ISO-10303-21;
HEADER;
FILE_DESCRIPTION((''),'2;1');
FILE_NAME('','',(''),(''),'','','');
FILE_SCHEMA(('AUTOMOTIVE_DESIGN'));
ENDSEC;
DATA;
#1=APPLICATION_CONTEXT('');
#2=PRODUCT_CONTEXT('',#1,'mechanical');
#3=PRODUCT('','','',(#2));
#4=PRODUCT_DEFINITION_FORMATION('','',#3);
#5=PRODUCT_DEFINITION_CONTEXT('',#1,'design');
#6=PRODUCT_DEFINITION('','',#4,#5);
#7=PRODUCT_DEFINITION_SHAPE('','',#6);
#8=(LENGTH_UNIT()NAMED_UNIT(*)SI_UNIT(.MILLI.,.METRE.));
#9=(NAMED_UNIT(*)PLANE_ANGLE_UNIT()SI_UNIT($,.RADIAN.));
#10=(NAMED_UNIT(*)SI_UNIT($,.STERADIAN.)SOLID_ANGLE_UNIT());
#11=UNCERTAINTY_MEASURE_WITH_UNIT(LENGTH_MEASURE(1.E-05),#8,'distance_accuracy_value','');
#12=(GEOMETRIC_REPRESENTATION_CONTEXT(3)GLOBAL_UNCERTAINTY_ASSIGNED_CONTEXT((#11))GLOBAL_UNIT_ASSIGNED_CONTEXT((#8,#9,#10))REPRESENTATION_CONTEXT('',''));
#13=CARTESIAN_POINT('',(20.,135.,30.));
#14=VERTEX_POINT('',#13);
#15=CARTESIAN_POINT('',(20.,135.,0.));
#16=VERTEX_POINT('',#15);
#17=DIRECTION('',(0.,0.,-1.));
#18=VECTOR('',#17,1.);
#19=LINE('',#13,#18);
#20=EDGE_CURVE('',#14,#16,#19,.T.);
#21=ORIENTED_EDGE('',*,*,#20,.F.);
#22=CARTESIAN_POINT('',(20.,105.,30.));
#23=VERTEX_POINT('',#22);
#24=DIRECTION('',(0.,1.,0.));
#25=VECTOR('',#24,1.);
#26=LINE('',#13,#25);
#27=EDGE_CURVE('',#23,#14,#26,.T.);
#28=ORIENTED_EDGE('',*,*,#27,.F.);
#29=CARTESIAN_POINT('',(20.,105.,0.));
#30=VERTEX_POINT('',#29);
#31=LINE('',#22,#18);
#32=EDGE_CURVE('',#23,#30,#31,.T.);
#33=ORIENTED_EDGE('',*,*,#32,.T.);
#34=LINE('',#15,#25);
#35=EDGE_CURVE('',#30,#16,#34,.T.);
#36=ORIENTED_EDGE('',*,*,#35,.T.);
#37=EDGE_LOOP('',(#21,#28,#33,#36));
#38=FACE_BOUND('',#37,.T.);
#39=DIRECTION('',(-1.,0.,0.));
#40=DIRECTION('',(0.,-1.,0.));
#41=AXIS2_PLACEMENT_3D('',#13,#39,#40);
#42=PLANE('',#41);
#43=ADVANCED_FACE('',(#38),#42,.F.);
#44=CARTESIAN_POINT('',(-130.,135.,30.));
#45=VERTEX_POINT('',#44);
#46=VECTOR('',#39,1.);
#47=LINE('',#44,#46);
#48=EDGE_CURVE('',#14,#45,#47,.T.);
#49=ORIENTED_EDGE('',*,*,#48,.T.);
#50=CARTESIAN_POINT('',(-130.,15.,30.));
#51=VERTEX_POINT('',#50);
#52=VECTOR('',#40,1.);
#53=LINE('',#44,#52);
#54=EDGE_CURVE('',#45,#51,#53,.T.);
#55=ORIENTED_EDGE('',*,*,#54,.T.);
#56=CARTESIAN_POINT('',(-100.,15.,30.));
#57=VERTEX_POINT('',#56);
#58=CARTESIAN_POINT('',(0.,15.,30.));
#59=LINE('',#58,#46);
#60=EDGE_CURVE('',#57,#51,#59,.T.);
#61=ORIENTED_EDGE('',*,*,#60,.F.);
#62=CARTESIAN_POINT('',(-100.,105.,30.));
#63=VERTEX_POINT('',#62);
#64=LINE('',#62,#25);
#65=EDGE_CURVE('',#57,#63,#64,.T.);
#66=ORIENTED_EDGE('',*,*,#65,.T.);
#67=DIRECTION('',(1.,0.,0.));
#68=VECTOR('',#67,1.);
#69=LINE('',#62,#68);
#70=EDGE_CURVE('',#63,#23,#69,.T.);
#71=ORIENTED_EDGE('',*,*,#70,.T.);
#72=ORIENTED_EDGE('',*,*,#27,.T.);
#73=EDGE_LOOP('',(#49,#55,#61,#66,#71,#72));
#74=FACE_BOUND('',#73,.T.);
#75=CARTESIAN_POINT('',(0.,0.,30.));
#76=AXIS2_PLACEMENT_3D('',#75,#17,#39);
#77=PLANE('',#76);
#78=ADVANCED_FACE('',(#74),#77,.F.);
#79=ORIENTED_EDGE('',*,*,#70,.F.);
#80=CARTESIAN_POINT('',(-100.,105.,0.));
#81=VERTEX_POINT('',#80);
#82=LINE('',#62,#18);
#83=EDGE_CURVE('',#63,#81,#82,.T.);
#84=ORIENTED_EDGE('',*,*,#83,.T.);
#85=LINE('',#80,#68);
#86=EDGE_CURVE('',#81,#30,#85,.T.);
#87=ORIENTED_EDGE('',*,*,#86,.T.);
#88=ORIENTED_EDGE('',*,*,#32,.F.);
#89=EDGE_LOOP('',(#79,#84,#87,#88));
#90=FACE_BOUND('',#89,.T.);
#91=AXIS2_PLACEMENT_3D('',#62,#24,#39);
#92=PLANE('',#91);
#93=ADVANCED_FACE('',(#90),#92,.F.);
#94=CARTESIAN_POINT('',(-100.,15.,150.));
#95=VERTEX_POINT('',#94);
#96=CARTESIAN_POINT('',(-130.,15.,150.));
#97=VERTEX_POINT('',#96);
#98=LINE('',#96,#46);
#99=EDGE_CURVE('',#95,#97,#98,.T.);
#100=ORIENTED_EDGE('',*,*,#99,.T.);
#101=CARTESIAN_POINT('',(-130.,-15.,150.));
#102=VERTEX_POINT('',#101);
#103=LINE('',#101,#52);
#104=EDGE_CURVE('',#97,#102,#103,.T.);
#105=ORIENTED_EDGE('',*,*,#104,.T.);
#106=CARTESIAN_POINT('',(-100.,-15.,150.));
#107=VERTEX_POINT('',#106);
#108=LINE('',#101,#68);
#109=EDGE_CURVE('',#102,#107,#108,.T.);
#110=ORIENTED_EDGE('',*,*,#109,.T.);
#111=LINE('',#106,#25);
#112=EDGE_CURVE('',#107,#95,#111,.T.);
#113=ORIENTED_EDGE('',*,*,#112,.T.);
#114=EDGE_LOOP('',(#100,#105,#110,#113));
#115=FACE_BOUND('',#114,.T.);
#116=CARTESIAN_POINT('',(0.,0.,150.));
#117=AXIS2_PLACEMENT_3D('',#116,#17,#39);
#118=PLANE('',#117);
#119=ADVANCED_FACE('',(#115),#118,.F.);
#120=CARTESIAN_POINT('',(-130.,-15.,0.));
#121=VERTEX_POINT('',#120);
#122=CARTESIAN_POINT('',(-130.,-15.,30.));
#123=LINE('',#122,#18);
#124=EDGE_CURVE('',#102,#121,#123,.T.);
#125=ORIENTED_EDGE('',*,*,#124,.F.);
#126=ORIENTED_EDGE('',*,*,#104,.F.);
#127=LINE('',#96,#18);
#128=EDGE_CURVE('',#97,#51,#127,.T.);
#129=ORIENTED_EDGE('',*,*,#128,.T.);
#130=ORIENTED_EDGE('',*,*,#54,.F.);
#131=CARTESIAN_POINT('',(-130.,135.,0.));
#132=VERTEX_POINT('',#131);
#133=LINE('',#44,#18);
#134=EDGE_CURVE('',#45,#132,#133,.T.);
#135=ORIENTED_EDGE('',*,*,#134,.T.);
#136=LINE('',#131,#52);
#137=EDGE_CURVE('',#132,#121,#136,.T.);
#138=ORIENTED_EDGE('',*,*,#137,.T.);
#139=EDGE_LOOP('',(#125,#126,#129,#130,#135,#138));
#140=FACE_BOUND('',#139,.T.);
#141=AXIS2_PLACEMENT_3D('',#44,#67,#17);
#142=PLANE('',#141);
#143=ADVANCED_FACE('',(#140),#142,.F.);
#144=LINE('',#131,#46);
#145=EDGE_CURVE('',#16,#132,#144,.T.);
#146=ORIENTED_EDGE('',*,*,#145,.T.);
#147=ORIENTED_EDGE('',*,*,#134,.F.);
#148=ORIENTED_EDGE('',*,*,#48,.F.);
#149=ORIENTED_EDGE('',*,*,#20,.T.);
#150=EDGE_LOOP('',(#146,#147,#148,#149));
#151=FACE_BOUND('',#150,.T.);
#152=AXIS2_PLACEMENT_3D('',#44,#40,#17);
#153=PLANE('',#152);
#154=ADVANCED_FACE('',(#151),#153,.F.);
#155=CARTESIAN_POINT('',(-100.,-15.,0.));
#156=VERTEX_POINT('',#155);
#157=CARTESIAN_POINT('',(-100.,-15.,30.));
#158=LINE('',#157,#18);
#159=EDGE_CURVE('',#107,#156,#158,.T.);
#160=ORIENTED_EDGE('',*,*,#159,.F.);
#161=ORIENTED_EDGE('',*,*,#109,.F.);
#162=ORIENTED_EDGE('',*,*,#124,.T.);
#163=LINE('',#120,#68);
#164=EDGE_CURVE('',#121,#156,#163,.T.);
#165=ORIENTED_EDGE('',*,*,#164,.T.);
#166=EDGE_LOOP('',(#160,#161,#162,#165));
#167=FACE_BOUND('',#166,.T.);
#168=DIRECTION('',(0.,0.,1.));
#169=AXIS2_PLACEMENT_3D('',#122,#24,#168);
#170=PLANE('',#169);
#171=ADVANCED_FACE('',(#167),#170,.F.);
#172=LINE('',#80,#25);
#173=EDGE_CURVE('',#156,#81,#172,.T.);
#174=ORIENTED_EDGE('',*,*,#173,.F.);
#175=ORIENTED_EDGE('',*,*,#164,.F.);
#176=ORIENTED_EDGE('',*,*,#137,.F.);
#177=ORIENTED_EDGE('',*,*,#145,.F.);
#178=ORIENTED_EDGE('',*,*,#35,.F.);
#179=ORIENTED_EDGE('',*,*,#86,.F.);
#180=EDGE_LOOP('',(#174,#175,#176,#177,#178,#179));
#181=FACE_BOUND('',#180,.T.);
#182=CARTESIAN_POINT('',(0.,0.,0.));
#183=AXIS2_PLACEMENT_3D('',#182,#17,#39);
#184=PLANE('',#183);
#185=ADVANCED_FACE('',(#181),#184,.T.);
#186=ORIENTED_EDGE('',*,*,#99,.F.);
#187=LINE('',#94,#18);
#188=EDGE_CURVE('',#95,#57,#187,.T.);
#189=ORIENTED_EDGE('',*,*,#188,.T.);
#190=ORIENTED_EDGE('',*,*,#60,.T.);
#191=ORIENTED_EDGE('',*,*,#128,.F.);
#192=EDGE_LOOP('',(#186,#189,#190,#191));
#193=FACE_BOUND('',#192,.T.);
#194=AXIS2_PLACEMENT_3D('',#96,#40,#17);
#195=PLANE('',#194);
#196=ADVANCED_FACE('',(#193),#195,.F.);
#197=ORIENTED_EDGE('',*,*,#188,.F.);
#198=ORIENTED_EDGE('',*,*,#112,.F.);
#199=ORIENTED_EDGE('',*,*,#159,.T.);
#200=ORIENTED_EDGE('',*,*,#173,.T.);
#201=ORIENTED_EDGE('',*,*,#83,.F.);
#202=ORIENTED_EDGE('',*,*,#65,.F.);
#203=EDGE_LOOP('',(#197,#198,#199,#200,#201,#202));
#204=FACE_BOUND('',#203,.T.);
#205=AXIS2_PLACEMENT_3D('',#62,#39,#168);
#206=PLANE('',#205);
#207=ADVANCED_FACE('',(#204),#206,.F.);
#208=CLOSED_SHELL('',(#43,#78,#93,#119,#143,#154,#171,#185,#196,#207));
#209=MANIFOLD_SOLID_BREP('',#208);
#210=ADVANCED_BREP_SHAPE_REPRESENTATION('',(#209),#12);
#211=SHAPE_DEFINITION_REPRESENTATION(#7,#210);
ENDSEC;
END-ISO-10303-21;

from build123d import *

# Parameters (mm, degrees)
SALIENTE_EXTRUIR1_DEPTH = 30
CROQUIS2_W              = 30
CROQUIS2_H              = 30
SALIENTE_EXTRUIR3_DEPTH = 150


with BuildPart() as part:
    # Croquis1 → Saliente-Extruir1 (new body)
    with BuildSketch(Plane.XY):
        Polygon((-130, 135), (-130, -15), (-100, -15), (-100, 105), (20, 105), (20, 135), align=None)
    extrude(amount=SALIENTE_EXTRUIR1_DEPTH)

    # Croquis2 → Saliente-Extruir3 (add)
    with BuildSketch(Plane.XY):
        with Locations((-115, 0)):
            Rectangle(CROQUIS2_W, CROQUIS2_H)
    extrude(amount=SALIENTE_EXTRUIR3_DEPTH)


solid = part.part
